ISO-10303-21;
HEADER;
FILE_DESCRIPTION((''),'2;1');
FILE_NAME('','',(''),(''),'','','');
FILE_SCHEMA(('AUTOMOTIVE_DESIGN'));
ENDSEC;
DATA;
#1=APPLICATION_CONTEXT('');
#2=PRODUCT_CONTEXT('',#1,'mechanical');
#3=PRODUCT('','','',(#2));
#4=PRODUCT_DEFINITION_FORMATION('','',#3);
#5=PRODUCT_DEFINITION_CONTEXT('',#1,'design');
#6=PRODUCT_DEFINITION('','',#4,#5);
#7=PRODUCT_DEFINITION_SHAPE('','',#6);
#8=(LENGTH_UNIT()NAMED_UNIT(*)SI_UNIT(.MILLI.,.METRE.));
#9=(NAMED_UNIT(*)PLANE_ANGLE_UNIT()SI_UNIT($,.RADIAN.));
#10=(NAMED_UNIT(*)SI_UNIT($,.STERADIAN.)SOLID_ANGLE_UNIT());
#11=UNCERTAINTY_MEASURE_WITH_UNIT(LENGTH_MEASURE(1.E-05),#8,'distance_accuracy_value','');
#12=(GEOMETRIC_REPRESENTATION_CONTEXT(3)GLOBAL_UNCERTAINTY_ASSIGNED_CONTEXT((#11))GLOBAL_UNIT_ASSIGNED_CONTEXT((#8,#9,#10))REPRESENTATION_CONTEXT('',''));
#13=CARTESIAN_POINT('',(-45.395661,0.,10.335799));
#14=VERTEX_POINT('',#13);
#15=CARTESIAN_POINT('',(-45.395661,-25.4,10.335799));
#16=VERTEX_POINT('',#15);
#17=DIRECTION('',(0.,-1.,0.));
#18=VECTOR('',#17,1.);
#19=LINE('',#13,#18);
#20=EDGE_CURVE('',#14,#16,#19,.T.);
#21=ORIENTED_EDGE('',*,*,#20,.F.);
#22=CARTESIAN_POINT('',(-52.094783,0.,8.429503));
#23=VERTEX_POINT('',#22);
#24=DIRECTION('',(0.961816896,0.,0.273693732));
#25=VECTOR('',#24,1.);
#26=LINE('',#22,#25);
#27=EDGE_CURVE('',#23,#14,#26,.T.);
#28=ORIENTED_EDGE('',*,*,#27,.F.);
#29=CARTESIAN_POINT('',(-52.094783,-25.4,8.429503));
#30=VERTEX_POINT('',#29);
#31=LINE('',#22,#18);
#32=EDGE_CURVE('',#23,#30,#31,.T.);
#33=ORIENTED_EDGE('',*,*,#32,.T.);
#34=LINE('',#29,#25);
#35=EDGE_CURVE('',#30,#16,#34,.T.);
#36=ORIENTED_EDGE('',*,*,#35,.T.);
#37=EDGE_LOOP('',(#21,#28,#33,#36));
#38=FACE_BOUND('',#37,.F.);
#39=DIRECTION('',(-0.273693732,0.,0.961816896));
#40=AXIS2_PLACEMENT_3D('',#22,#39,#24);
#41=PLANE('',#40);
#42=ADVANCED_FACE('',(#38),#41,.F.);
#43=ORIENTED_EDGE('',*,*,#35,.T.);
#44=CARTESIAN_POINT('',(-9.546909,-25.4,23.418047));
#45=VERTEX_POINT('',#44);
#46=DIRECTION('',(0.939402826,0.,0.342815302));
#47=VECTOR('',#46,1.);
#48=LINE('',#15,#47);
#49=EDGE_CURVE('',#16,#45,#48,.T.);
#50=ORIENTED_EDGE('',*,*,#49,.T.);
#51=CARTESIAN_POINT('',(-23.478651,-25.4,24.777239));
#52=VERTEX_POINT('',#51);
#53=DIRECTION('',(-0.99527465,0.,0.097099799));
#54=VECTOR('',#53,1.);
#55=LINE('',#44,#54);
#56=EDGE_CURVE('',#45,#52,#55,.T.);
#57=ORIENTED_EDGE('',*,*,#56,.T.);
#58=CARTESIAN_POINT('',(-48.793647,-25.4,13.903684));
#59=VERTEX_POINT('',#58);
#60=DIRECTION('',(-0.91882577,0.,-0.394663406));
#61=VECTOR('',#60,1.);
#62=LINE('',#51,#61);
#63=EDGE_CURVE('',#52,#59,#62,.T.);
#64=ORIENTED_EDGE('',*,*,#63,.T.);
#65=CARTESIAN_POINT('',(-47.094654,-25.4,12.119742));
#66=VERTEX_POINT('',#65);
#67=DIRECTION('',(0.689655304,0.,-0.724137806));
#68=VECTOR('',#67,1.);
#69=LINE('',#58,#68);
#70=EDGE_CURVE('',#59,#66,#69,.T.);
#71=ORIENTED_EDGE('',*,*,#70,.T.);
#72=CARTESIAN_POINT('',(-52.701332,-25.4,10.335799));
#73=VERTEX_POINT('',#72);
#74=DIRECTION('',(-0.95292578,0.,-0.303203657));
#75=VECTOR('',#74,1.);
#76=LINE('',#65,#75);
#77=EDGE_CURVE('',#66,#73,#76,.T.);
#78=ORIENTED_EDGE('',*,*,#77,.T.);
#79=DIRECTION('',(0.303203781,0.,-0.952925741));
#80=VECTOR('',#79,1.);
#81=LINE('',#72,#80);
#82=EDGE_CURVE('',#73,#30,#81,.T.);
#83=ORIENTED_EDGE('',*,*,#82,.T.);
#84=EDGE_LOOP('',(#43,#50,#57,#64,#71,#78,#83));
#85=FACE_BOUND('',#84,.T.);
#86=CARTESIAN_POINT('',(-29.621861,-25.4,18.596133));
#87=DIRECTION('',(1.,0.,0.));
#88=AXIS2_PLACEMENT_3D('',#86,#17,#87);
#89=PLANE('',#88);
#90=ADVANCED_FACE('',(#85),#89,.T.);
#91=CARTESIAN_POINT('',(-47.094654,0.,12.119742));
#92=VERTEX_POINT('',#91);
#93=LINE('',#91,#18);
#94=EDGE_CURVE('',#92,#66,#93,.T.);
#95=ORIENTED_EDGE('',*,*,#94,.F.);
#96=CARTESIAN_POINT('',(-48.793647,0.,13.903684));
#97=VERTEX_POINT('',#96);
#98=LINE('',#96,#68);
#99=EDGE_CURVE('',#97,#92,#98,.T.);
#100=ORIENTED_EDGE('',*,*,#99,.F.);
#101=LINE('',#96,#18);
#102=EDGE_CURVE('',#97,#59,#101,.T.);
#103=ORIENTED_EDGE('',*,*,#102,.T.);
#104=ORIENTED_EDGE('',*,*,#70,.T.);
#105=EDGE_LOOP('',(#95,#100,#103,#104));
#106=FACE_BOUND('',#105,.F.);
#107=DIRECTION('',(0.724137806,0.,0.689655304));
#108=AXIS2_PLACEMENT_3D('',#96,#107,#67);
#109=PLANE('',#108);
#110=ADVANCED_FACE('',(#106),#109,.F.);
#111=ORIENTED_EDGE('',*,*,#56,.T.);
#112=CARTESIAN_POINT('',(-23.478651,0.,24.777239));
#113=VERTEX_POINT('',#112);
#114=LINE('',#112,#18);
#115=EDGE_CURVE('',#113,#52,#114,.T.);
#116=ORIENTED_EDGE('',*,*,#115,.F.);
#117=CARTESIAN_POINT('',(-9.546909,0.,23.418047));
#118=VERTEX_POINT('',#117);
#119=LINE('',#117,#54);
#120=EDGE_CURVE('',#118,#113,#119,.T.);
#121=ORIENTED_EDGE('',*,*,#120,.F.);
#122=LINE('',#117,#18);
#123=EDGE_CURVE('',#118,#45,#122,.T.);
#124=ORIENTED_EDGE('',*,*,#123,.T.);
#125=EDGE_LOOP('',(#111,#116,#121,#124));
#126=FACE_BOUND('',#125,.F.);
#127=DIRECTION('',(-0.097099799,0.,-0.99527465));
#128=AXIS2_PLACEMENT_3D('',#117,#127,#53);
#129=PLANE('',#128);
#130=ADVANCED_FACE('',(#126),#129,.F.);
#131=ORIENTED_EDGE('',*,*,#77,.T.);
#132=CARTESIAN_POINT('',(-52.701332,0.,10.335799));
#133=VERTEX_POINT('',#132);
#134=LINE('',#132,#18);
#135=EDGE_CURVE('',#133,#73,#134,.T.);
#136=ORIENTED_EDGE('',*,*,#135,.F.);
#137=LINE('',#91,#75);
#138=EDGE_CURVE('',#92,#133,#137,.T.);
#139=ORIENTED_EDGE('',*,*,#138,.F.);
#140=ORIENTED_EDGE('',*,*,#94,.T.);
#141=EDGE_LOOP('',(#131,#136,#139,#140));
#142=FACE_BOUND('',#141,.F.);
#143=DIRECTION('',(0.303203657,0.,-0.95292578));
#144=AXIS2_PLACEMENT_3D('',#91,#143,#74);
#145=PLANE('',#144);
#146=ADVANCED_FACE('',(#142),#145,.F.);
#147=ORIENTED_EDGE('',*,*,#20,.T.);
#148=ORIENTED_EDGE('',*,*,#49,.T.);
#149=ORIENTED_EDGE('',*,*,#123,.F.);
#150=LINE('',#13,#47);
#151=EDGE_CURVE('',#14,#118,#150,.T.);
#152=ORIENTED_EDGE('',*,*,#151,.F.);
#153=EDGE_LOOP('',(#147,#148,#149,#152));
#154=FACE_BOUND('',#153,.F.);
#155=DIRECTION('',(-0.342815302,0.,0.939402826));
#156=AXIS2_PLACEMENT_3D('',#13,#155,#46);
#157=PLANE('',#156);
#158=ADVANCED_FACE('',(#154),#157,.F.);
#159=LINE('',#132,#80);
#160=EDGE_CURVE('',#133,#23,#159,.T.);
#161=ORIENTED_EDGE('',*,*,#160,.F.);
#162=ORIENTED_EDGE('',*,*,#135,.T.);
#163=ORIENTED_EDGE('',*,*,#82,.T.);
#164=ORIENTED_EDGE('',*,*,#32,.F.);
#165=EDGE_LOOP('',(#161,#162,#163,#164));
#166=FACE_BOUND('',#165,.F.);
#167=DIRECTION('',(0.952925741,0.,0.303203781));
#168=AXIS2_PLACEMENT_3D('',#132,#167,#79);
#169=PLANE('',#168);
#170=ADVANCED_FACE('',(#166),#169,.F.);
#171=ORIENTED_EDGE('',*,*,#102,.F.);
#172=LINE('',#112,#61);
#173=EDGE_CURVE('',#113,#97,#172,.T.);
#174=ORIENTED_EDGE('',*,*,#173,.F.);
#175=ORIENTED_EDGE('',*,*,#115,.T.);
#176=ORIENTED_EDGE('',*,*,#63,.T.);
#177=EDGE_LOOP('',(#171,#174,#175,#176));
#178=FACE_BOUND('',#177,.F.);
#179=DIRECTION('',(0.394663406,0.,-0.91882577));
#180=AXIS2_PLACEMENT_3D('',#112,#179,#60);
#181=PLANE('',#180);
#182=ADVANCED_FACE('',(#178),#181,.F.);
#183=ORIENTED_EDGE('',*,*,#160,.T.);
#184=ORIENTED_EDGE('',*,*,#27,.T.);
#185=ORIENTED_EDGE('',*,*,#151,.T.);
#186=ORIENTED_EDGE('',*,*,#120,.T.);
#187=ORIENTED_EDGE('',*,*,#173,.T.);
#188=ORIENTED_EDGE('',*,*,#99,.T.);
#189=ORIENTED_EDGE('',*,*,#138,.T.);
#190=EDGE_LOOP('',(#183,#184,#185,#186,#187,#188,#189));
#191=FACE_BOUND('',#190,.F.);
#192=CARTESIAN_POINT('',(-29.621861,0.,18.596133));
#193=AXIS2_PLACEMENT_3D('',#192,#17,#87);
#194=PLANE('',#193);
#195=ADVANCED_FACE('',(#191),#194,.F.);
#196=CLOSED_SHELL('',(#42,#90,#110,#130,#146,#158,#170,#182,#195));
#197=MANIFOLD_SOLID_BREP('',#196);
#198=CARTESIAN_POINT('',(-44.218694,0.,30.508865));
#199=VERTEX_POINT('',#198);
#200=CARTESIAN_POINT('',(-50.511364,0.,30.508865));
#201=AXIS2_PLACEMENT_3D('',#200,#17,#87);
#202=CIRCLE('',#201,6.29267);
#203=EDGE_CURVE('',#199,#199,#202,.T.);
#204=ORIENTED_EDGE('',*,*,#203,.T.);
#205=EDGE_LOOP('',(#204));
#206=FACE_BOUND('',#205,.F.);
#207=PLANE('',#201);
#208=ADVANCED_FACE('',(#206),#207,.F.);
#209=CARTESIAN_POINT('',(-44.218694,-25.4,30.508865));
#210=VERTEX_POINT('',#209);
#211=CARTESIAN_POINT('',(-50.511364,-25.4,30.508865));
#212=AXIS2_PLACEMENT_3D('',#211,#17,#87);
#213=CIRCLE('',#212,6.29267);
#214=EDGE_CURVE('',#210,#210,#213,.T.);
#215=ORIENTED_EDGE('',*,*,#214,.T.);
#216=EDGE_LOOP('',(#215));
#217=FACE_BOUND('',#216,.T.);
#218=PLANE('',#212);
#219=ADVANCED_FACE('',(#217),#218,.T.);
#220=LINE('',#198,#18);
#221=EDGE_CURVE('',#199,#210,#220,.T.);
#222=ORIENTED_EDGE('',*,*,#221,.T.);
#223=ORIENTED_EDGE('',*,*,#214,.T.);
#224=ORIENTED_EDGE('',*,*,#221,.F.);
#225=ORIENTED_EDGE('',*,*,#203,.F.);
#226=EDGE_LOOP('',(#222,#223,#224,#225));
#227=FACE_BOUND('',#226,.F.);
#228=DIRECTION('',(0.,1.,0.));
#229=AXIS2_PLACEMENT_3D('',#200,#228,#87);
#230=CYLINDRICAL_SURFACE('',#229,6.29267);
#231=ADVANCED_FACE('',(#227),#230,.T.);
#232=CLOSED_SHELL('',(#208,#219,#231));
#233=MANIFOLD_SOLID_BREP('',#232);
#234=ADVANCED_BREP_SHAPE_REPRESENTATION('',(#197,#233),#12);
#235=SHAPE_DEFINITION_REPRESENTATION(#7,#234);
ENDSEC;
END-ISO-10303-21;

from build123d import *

# Parameters (mm, degrees)
F0_R     = 6.29267
F1_DEPTH = 25.4


with BuildPart() as f1:
    # F0 (on Front) → F1 (new body)
    with BuildSketch(Plane.XZ):
        with Locations((-50.511364, 30.508865)):
            Circle(F0_R)
        Polygon((-23.478651, 24.777239), (-48.793647, 13.903684), (-47.094654, 12.119742), (-45.395661, 10.335799), (-9.546909, 23.418047), align=None)
        Polygon((-45.395661, 10.335799), (-47.094654, 12.119742), (-52.701332, 10.335799), (-52.094783, 8.429503), align=None)
    extrude(amount=F1_DEPTH)


solid = f1.part
